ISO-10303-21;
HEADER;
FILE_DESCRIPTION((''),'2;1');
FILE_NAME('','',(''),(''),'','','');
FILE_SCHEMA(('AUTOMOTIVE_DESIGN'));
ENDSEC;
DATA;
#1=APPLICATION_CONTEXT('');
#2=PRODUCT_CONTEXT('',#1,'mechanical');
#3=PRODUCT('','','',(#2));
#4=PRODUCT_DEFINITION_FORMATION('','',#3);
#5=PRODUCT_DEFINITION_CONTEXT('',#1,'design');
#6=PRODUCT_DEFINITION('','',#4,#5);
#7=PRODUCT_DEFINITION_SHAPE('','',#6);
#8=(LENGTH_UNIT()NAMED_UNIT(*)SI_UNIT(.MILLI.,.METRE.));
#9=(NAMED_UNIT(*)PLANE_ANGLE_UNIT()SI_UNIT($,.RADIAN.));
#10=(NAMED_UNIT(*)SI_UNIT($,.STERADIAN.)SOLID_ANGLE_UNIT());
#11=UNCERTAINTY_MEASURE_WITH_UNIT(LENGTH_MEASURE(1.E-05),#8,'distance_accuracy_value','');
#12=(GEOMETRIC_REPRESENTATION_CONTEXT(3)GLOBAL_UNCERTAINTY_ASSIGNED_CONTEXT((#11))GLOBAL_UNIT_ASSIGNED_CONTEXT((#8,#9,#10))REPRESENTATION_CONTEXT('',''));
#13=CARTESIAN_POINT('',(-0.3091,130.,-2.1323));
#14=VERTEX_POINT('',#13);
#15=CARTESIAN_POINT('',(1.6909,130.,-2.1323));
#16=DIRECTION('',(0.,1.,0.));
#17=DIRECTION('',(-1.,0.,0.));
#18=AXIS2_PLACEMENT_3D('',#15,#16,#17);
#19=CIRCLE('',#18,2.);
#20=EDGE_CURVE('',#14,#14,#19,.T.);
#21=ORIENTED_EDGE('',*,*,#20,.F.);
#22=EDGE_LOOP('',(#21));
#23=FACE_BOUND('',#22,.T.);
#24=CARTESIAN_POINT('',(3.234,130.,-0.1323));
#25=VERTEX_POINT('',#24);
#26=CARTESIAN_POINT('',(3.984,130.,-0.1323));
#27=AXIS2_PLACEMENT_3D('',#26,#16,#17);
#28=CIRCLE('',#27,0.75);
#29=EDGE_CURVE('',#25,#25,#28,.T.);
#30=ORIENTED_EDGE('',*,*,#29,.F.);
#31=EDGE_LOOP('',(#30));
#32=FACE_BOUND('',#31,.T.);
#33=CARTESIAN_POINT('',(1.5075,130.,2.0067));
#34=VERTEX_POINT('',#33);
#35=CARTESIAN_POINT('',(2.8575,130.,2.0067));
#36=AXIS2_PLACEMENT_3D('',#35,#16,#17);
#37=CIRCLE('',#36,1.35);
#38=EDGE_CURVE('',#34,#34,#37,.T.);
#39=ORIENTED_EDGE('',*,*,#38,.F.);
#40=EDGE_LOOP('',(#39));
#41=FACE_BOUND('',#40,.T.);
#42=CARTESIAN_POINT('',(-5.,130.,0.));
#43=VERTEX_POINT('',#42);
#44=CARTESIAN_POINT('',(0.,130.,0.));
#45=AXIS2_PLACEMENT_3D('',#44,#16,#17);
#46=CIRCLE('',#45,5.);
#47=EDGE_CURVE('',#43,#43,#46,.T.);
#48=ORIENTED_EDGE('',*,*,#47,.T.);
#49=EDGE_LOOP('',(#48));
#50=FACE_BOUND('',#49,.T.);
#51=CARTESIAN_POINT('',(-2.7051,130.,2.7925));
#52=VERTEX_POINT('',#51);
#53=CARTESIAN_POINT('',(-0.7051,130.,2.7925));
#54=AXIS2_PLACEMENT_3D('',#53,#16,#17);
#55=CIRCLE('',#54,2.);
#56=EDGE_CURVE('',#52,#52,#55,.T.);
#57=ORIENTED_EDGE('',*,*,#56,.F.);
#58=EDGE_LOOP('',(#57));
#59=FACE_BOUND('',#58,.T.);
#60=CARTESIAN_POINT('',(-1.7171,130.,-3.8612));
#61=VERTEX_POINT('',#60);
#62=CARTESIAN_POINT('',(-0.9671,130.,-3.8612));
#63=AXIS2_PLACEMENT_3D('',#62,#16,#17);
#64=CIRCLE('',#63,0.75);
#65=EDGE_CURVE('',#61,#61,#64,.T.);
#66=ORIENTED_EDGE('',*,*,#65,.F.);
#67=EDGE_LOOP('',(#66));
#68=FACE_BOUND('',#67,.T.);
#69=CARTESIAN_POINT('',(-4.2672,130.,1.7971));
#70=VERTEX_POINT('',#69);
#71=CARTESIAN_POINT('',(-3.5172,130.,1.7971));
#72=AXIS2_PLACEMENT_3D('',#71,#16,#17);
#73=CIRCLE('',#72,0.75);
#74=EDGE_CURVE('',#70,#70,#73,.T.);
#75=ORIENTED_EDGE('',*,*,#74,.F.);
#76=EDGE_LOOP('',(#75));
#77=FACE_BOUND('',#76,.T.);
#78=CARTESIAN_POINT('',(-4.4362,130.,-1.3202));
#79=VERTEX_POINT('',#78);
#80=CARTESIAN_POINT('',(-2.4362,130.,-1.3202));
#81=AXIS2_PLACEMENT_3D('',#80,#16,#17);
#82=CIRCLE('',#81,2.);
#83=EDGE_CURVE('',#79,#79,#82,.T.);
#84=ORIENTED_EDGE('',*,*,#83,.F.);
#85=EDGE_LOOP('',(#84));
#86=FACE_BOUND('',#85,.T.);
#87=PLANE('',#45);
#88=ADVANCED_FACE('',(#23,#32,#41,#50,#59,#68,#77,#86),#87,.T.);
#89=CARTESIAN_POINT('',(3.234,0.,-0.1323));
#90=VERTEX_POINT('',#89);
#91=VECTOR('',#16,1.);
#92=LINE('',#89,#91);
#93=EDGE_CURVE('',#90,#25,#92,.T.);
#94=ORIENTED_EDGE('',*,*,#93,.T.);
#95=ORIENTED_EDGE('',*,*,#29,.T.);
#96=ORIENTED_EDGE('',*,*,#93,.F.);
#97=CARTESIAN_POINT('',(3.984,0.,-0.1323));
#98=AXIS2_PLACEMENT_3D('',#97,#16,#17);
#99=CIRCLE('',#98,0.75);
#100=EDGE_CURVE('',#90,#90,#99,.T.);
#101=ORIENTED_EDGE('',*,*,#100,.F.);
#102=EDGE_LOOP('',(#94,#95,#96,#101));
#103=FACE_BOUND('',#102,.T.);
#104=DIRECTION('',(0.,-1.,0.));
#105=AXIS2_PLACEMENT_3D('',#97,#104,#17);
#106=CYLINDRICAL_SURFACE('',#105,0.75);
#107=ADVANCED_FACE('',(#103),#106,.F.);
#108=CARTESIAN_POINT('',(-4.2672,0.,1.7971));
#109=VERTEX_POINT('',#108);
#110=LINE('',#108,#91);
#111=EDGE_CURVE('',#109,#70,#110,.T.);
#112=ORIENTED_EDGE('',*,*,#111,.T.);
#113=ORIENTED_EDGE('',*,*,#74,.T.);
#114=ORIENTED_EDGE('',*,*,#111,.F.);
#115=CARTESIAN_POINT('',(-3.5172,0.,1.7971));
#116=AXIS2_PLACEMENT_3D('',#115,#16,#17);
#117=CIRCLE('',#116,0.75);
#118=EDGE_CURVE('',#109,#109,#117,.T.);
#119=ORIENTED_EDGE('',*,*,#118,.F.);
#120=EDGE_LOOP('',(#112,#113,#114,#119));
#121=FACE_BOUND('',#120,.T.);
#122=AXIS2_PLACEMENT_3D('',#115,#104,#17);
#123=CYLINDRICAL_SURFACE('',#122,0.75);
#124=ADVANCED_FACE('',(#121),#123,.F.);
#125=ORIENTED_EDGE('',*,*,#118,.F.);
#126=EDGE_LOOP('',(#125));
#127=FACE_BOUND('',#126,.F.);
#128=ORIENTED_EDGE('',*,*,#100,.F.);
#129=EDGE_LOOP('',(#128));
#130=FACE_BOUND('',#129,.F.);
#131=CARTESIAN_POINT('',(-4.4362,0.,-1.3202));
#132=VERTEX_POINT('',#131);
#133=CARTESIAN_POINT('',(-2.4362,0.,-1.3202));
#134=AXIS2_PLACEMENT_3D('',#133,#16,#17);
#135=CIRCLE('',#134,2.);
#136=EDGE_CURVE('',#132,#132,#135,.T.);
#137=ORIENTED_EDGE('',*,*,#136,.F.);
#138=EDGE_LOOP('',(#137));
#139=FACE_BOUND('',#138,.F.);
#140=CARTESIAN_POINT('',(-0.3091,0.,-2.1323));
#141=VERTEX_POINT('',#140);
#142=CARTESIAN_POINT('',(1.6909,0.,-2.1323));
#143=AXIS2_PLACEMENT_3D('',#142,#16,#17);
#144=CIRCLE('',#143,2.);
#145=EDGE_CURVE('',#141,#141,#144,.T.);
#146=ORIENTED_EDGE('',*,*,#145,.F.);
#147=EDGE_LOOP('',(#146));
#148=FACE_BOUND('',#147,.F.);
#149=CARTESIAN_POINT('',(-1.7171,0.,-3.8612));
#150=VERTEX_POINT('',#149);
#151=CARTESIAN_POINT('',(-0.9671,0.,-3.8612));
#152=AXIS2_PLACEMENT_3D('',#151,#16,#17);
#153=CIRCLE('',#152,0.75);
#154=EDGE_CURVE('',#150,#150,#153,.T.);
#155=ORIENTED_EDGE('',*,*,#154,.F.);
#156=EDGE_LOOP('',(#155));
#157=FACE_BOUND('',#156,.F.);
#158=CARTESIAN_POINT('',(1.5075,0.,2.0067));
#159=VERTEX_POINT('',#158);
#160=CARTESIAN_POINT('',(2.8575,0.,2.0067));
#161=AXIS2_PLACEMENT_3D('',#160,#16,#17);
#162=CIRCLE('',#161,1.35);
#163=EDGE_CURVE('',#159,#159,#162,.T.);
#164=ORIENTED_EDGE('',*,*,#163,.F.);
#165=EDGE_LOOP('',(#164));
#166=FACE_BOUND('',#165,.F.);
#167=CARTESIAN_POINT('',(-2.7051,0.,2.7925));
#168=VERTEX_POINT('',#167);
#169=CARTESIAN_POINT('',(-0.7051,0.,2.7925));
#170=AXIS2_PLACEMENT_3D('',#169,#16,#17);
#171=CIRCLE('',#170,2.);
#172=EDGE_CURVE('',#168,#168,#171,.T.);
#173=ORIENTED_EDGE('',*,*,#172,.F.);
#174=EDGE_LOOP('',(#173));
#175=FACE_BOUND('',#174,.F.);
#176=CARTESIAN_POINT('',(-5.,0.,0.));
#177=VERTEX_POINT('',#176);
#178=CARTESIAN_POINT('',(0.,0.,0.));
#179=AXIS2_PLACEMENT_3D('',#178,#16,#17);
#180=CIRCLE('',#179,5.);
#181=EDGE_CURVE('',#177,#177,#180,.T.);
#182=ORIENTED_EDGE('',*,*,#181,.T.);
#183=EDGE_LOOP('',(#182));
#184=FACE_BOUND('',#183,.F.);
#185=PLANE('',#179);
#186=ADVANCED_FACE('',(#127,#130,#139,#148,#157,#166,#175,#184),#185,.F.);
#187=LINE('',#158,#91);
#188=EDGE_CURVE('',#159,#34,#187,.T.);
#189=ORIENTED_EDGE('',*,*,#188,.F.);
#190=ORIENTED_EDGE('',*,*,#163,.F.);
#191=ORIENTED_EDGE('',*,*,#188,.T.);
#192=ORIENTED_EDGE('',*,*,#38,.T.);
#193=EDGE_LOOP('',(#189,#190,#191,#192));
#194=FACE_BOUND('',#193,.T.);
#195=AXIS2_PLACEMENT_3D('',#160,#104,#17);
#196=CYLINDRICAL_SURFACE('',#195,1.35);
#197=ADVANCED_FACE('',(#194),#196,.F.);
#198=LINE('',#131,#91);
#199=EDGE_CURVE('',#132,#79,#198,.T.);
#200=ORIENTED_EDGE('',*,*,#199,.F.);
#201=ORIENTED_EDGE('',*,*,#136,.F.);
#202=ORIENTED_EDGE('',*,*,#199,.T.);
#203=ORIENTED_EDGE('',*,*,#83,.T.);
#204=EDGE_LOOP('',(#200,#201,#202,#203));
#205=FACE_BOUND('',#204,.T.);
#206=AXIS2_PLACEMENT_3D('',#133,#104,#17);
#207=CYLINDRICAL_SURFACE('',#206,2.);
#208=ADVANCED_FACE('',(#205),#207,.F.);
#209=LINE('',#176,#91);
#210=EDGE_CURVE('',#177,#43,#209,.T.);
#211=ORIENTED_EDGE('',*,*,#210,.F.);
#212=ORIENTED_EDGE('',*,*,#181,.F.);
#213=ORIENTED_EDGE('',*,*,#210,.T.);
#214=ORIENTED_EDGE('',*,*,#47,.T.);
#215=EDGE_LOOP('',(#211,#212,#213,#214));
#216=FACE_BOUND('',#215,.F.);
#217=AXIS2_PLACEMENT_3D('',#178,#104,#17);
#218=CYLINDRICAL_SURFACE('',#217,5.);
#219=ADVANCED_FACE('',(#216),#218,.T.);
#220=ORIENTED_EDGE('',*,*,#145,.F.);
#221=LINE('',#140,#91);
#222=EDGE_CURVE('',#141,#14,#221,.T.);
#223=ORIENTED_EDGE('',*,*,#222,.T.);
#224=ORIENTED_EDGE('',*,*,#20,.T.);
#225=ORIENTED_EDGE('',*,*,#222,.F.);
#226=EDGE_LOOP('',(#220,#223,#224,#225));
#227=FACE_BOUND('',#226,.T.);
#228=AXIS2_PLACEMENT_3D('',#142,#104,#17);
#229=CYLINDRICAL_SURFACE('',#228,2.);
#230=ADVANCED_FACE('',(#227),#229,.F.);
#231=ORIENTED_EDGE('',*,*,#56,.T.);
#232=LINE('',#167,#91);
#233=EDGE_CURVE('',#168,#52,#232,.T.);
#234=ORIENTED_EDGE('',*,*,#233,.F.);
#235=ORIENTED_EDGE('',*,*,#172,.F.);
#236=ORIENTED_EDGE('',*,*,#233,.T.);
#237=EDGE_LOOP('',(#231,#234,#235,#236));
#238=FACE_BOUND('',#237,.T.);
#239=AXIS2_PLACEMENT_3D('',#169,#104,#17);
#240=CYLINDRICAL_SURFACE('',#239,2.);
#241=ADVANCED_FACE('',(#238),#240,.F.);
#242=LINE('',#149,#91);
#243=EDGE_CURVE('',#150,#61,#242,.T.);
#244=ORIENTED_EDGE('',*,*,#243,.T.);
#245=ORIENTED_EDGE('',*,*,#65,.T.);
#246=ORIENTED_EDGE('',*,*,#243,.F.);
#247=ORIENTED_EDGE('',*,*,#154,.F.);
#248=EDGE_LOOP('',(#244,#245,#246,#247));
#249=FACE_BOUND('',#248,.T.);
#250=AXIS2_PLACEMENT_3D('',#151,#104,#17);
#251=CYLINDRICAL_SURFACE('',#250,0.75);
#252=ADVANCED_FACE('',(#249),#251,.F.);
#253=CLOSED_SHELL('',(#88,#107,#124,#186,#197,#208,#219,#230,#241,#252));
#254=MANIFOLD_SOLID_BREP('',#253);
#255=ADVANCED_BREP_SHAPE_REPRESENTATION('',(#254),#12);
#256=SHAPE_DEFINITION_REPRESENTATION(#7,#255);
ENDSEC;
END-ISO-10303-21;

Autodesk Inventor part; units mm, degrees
ref_plane "YZ Plane" through (0, 0, 0) normal (1, 0, 0) x (0, 1, 0)
ref_plane "XZ Plane" through (0, 0, 0) normal (0, 1, 0) x (-1, 0, 0)
ref_plane "XY Plane" through (0, 0, 0) normal (0, 0, 1) x (1, 0, 0)
sketch "Sketch1" plane through (0, 0, 0) normal (0, 1, 0) x (-1, 0, 0)
  circle A0 centre (0, 0) radius 5
  circle A1 centre (0.7051, 2.7925) radius 2
  circle A2 centre (-1.6909, -2.1323) radius 2
  circle A3 centre (2.4362, -1.3202) radius 2
  circle A4 centre (-2.8575, 2.0067) radius 1.35
  circle A5 centre (3.5172, 1.7971) radius 0.75
  circle A6 centre (0.9671, -3.8612) radius 0.75
  circle A7 centre (-3.984, -0.1323) radius 0.75
  point P0 (2.4362, -7.492)
  point P1 (2.4362, -7.492)
  dimension "d0" = 10
  dimension "d1" = 4
  dimension "d2" = 4
  dimension "d3" = 4
  dimension "d5" = 2.7
  dimension "d6" = 1.5
  dimension "d7" = 1.5
  dimension "d8" = 1.5
extrude "Extrusion1" add sketch "Sketch1" along normal blind 130
sketch "Sketch2" plane through (0, 0, 0) normal (0, -1, 0) x (1, 0, 0)
  point P0 (0, 0)
sketch "Sketch3" plane through (0, 0, 0) normal (0, -1, 0) x (1, 0, 0)
  point P0 (0, 0)
properties part number "outer casing"
